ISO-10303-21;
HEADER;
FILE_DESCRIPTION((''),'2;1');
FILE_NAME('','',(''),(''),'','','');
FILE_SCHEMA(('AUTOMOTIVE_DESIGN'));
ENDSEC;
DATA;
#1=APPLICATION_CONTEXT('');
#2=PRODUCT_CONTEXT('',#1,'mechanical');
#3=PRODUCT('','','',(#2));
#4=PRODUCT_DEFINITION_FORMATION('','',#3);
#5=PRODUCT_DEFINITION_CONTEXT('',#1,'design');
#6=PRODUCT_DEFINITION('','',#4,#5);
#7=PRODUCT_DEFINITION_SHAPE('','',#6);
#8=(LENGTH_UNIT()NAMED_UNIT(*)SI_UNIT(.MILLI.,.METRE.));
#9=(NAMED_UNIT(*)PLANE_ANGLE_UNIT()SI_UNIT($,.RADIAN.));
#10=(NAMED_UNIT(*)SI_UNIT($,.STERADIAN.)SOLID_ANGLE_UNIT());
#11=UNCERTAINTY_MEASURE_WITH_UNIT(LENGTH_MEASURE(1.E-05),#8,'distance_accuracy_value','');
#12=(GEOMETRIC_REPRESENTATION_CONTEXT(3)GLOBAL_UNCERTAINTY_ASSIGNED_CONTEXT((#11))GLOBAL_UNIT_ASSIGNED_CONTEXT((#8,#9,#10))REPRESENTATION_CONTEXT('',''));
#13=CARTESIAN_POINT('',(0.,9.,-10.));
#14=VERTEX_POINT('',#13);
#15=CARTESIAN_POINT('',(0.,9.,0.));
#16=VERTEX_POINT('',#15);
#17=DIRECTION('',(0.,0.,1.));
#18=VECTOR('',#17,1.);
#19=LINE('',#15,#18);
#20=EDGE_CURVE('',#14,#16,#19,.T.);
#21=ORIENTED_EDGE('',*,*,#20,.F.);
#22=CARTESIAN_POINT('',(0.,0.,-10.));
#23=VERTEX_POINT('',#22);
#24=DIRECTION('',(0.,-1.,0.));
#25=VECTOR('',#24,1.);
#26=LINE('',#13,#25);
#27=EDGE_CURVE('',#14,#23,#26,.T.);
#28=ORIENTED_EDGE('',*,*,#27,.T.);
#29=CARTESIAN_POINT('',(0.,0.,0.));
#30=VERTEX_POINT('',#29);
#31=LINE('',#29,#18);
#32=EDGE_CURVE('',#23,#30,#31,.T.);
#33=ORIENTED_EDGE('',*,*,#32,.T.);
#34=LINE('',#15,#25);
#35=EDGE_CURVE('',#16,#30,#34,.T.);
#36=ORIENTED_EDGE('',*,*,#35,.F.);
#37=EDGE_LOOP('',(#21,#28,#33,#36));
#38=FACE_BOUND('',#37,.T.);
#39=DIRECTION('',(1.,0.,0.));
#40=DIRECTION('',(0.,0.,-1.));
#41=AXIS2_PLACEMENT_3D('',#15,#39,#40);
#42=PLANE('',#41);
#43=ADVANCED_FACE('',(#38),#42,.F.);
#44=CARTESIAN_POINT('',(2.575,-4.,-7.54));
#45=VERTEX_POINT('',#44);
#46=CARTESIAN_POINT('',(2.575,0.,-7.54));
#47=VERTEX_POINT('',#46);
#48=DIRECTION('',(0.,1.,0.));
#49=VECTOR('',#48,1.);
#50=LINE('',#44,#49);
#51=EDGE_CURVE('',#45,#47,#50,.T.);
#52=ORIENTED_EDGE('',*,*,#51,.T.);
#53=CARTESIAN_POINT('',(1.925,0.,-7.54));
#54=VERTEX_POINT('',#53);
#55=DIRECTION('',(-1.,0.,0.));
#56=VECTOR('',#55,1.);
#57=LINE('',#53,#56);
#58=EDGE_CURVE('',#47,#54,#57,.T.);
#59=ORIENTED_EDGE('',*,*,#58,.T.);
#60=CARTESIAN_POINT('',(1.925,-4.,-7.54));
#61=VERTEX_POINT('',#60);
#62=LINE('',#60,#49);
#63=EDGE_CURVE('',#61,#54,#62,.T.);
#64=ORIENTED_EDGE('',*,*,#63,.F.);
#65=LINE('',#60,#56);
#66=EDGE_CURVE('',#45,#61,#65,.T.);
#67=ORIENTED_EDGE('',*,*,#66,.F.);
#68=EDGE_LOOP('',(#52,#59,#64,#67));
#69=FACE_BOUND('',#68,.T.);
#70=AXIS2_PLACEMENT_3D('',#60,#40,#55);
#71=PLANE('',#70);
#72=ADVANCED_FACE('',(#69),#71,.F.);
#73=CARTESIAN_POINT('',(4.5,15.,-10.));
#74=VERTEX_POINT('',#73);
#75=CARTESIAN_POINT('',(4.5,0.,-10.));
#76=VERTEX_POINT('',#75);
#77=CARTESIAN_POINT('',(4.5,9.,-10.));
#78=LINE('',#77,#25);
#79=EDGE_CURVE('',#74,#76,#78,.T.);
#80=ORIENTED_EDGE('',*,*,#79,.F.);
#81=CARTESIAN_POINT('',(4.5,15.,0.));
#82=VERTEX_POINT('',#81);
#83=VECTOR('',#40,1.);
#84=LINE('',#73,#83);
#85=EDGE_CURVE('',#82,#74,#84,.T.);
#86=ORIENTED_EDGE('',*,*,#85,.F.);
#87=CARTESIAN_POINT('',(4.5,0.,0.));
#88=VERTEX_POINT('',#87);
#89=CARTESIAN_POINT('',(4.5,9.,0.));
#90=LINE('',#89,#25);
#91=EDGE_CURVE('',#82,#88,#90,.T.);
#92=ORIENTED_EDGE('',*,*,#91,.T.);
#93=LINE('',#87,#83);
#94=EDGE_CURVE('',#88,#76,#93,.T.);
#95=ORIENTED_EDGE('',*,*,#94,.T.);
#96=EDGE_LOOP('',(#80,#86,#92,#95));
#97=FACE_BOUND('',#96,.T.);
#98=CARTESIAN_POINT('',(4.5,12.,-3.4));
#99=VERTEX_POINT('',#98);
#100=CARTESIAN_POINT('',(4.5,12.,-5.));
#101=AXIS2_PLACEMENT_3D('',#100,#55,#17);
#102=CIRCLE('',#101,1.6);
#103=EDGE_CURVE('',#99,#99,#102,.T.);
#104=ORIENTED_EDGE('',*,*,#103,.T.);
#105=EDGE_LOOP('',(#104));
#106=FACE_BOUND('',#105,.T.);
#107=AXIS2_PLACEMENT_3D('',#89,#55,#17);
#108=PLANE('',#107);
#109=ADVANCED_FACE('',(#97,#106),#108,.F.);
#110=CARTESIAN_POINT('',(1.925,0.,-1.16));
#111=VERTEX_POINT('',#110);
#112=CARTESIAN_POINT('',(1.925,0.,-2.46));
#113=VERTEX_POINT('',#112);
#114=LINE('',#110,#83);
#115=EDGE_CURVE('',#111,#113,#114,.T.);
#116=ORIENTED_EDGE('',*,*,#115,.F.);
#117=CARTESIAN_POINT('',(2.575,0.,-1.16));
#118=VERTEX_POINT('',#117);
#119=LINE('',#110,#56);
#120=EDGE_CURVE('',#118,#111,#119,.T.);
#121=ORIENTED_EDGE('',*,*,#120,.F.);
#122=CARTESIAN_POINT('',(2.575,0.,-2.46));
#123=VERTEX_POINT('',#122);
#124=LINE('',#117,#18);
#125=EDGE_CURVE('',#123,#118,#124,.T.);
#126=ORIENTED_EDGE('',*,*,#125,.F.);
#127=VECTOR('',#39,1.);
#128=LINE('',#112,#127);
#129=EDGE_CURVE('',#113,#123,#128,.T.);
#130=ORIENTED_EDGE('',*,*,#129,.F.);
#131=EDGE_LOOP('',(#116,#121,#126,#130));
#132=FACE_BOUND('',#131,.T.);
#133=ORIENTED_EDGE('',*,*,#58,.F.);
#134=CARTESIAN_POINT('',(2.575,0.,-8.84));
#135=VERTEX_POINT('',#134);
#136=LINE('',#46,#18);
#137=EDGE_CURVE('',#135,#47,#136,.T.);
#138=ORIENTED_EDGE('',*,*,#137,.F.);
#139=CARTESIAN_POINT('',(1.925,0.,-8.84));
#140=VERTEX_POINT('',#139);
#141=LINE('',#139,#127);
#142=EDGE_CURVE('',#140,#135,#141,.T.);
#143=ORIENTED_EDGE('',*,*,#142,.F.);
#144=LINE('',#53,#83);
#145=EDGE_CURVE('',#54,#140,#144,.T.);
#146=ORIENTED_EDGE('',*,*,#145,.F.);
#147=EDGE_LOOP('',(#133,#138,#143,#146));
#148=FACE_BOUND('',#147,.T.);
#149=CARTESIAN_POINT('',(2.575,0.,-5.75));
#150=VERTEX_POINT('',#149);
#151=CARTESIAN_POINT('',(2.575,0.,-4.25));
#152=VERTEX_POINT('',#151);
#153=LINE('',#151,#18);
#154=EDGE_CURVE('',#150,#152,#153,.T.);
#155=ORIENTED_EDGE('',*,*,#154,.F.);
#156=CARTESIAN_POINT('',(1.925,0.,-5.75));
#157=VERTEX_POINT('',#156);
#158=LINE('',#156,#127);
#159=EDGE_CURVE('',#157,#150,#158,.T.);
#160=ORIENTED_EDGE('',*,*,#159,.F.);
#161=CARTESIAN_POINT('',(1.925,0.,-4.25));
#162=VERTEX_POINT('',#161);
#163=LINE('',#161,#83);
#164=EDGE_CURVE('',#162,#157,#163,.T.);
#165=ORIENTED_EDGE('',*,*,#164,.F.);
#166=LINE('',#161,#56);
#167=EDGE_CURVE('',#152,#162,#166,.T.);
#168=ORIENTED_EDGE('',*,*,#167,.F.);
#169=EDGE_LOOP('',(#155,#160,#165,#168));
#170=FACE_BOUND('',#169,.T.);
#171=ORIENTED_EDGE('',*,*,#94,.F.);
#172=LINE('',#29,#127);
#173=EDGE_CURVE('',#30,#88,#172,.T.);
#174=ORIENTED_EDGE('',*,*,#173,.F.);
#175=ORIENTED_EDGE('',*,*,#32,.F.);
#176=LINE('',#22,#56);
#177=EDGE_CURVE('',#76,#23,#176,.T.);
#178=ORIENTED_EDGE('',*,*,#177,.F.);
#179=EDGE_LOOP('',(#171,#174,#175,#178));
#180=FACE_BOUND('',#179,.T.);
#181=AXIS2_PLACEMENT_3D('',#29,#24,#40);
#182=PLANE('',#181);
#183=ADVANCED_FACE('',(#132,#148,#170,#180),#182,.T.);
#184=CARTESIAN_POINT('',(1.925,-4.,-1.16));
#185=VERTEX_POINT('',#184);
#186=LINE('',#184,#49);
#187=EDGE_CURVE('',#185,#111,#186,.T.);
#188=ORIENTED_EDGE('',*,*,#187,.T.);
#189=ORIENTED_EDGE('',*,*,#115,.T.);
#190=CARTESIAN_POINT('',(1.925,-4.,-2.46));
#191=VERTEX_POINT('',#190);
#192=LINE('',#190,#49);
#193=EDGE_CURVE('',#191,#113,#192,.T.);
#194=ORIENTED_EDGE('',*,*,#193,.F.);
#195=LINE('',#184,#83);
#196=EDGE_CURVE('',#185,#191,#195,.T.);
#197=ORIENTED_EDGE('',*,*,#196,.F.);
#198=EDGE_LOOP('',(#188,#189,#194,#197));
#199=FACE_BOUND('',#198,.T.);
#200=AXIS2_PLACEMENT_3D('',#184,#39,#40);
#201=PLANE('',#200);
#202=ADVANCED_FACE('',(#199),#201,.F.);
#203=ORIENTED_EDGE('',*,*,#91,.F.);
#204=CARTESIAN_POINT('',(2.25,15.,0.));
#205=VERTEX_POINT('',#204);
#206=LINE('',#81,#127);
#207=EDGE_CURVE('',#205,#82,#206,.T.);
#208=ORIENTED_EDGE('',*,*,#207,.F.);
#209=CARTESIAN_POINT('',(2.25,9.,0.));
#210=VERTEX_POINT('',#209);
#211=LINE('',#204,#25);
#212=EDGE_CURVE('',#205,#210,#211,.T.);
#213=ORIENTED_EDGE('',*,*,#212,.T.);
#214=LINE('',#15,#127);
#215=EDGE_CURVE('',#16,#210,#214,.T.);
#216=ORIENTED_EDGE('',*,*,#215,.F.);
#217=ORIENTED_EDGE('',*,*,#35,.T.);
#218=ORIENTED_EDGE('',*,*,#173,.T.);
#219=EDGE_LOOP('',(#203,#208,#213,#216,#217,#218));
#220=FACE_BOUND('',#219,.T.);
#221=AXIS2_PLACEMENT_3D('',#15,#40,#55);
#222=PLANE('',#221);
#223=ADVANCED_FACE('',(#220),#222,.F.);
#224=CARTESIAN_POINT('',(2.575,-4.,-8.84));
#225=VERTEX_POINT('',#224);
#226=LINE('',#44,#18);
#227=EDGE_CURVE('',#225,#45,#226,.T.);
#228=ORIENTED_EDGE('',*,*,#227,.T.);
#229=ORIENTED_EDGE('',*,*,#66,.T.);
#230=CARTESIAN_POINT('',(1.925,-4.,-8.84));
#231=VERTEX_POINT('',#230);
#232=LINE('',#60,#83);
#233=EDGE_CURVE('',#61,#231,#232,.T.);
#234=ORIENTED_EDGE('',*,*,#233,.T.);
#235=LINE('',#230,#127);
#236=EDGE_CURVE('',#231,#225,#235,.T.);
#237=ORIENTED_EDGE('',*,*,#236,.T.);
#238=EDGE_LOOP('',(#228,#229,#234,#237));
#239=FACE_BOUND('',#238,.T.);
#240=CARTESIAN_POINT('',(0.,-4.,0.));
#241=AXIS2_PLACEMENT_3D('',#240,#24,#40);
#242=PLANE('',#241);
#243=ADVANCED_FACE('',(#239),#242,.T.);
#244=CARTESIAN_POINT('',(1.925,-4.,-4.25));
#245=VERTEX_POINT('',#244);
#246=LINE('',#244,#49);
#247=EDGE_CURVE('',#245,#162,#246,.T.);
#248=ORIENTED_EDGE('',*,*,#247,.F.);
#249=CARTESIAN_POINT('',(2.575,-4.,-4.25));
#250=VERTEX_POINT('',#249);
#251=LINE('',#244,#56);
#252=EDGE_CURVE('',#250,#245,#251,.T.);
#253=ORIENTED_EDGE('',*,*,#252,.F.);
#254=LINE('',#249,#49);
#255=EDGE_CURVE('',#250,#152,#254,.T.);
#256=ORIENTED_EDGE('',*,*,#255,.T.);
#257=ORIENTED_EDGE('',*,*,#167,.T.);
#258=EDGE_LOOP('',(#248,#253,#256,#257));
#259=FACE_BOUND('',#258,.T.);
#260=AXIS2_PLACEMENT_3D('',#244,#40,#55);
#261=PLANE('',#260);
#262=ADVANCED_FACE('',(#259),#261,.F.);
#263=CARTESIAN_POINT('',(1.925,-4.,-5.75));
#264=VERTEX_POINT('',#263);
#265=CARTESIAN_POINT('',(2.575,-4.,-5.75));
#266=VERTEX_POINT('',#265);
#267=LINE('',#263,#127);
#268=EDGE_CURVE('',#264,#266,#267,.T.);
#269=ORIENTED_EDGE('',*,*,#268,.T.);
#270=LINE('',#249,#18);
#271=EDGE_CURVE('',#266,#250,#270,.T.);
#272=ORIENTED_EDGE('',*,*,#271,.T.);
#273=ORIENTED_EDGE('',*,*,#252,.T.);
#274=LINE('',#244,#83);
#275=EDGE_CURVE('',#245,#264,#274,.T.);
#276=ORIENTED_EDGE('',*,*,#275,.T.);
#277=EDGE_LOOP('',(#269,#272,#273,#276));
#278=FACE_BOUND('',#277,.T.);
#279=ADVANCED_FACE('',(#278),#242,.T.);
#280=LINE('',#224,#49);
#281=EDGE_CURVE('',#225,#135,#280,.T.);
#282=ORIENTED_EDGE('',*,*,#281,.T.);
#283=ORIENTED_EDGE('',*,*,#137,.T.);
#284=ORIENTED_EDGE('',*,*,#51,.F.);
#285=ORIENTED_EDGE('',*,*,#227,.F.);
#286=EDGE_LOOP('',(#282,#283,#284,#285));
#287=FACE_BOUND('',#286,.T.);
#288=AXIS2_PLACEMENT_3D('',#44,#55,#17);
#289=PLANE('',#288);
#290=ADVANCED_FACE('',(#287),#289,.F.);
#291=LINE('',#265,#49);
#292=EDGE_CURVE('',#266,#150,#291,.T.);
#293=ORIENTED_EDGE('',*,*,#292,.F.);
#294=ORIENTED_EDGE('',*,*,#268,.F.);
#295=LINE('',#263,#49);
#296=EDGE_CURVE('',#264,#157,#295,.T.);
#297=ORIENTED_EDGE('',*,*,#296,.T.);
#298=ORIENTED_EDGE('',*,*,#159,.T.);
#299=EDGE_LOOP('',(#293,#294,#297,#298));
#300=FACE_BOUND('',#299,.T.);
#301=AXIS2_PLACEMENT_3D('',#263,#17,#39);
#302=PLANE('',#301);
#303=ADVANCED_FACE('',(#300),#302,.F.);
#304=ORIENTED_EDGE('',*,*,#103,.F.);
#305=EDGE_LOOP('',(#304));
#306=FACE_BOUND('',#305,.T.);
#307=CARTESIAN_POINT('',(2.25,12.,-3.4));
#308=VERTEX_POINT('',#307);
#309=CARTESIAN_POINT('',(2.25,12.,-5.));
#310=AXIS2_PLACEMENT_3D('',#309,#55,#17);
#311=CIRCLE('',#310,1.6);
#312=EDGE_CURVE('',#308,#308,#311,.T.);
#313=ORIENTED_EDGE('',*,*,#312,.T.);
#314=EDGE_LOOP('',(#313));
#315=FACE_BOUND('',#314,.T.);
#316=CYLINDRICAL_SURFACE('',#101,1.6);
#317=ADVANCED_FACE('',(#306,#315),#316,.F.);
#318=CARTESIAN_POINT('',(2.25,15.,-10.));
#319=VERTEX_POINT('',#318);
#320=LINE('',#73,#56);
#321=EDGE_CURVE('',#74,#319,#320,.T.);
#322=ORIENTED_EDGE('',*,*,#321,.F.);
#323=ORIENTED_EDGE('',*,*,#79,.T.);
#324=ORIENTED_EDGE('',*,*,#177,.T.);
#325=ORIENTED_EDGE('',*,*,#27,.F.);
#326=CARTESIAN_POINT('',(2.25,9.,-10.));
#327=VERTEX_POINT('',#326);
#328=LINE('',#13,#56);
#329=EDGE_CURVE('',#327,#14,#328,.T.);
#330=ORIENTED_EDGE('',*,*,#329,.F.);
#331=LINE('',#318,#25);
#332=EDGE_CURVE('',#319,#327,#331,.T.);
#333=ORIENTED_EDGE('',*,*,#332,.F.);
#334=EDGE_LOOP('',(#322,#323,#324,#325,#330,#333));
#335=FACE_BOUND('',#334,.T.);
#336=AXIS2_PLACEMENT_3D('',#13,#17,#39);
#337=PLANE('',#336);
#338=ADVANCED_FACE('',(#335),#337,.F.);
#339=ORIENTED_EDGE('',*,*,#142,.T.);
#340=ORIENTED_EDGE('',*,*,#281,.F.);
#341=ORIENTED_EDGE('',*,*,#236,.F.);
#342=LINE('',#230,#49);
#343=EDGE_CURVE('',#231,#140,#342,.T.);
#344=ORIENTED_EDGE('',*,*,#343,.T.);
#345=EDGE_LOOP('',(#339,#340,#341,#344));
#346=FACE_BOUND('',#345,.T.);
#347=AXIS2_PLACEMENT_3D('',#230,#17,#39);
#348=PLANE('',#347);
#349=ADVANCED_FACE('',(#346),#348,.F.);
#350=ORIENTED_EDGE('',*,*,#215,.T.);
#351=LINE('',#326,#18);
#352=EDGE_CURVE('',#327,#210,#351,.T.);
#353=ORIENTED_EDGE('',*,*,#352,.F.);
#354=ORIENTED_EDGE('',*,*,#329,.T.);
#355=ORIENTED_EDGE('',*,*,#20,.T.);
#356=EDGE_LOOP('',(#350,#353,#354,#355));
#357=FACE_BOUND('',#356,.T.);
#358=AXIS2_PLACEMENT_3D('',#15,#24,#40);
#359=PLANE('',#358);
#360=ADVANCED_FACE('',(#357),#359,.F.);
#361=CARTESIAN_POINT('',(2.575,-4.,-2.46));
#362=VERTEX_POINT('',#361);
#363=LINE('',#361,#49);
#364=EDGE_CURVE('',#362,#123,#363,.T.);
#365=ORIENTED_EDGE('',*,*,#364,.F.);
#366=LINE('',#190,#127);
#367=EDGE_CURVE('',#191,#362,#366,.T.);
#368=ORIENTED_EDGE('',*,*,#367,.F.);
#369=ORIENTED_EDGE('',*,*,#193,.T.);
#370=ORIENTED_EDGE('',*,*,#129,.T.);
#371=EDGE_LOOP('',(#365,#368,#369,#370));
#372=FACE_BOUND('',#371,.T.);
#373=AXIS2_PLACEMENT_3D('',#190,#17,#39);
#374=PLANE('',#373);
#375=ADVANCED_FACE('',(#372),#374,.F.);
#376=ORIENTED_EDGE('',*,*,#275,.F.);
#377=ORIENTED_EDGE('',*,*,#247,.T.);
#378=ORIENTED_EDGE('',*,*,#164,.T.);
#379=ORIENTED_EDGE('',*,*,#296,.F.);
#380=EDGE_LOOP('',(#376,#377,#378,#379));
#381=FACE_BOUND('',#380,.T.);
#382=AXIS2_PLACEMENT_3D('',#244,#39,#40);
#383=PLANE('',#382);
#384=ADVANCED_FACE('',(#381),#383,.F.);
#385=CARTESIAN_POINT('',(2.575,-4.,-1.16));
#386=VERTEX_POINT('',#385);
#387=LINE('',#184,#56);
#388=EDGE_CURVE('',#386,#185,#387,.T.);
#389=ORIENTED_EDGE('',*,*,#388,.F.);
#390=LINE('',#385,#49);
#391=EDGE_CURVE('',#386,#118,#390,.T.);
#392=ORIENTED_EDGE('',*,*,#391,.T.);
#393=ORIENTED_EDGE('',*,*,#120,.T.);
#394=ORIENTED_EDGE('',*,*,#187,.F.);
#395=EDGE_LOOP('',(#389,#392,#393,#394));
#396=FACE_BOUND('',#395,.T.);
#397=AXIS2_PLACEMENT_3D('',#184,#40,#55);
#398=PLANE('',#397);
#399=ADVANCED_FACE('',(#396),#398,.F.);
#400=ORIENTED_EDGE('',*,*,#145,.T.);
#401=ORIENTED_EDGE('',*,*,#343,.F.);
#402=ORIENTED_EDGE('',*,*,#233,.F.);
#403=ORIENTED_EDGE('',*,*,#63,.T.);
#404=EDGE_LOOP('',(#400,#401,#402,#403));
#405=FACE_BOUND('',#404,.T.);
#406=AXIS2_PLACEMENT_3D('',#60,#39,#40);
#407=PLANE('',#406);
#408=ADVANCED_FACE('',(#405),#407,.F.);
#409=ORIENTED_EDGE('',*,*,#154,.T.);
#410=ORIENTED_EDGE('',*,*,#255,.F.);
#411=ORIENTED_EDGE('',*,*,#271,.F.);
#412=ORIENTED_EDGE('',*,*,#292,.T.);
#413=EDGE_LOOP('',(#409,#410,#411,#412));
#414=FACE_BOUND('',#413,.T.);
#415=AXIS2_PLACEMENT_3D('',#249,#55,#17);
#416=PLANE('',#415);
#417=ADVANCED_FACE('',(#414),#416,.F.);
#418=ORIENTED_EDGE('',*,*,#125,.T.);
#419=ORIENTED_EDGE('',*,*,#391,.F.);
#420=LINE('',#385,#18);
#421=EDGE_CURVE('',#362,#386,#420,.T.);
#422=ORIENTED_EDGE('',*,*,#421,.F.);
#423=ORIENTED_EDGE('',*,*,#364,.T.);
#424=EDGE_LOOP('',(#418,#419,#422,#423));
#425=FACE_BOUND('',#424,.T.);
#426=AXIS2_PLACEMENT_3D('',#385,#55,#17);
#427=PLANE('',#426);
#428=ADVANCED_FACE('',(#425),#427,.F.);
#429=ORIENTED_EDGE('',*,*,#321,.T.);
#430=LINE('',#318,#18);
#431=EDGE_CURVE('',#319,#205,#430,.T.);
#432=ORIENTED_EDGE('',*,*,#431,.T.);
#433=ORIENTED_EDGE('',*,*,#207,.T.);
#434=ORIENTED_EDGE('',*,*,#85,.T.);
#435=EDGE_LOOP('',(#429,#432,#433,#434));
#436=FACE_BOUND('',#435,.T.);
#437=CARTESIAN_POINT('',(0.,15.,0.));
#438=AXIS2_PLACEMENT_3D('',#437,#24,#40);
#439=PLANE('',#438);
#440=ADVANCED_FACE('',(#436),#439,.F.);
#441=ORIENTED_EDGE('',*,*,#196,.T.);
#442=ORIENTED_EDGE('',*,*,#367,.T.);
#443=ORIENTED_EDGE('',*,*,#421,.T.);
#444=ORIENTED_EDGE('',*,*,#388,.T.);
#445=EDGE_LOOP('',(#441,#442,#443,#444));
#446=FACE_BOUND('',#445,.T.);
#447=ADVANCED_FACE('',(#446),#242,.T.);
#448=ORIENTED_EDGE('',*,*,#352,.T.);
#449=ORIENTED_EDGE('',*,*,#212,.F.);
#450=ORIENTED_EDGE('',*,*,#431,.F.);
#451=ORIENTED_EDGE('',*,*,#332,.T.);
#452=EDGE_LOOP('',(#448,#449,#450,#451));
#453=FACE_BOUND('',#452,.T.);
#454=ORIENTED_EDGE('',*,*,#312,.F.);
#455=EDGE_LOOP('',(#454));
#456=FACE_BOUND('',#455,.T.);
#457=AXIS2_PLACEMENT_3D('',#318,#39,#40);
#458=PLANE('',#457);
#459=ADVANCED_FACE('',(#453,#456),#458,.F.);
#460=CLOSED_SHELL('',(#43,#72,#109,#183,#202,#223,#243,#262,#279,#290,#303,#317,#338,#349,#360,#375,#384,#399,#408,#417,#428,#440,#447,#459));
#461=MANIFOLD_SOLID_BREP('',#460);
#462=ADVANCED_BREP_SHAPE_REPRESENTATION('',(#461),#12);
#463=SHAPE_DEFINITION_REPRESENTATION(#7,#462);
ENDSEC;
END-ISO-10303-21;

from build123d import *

# Parameters (mm, degrees)
SKETCH_1_W          = 4.5
SKETCH_1_H          = 10
EXTRUDE_1_DEPTH     = 9
SKETCH_2_W          = 2.25
SKETCH_2_H          = 10
EXTRUDE_2_DEPTH     = 6
SKETCH_3_R          = 1.6
CUT_EXTRUDE_1_DEPTH = 19.167622299
SKETCH_4_W          = 0.65
SKETCH_4_H          = 1.3
SKETCH_4_H_2        = 1.5
EXTRUDE_3_DEPTH     = 4


with BuildPart() as part:
    # Эскиз1 → Бобышка-Вытянуть1 (new body)
    with BuildSketch(Plane(origin=(0, 0, 0), x_dir=(1, 0, 0), z_dir=(0, 1, 0))):
        with Locations((2.25, 5)):
            Rectangle(SKETCH_1_W, SKETCH_1_H)
    extrude(amount=EXTRUDE_1_DEPTH)

    # Эскиз2 → Бобышка-Вытянуть2 (add)
    with BuildSketch(Plane(origin=(0, 9, 0), x_dir=(1, 0, 0), z_dir=(0, 1, 0))):
        with Locations((3.375, 5)):
            Rectangle(SKETCH_2_W, SKETCH_2_H)
    extrude(amount=EXTRUDE_2_DEPTH)

    # Эскиз3 → Вырез-Вытянуть1 (cut, through all)
    with BuildSketch(Plane.ZY.offset(-2.25)):
        with Locations((-5, 12)):
            Circle(SKETCH_3_R)
    extrude(amount=-CUT_EXTRUDE_1_DEPTH, mode=Mode.SUBTRACT)

    # Эскиз4 → Бобышка-Вытянуть3 (add)
    with BuildSketch(Plane.XZ):
        with Locations((2.25, -1.81)):
            Rectangle(SKETCH_4_W, SKETCH_4_H)
        with Locations((2.25, -5)):
            Rectangle(SKETCH_4_W, SKETCH_4_H_2)
        with Locations((2.25, -8.19)):
            Rectangle(SKETCH_4_W, SKETCH_4_H)
    extrude(amount=EXTRUDE_3_DEPTH)


solid = part.part
